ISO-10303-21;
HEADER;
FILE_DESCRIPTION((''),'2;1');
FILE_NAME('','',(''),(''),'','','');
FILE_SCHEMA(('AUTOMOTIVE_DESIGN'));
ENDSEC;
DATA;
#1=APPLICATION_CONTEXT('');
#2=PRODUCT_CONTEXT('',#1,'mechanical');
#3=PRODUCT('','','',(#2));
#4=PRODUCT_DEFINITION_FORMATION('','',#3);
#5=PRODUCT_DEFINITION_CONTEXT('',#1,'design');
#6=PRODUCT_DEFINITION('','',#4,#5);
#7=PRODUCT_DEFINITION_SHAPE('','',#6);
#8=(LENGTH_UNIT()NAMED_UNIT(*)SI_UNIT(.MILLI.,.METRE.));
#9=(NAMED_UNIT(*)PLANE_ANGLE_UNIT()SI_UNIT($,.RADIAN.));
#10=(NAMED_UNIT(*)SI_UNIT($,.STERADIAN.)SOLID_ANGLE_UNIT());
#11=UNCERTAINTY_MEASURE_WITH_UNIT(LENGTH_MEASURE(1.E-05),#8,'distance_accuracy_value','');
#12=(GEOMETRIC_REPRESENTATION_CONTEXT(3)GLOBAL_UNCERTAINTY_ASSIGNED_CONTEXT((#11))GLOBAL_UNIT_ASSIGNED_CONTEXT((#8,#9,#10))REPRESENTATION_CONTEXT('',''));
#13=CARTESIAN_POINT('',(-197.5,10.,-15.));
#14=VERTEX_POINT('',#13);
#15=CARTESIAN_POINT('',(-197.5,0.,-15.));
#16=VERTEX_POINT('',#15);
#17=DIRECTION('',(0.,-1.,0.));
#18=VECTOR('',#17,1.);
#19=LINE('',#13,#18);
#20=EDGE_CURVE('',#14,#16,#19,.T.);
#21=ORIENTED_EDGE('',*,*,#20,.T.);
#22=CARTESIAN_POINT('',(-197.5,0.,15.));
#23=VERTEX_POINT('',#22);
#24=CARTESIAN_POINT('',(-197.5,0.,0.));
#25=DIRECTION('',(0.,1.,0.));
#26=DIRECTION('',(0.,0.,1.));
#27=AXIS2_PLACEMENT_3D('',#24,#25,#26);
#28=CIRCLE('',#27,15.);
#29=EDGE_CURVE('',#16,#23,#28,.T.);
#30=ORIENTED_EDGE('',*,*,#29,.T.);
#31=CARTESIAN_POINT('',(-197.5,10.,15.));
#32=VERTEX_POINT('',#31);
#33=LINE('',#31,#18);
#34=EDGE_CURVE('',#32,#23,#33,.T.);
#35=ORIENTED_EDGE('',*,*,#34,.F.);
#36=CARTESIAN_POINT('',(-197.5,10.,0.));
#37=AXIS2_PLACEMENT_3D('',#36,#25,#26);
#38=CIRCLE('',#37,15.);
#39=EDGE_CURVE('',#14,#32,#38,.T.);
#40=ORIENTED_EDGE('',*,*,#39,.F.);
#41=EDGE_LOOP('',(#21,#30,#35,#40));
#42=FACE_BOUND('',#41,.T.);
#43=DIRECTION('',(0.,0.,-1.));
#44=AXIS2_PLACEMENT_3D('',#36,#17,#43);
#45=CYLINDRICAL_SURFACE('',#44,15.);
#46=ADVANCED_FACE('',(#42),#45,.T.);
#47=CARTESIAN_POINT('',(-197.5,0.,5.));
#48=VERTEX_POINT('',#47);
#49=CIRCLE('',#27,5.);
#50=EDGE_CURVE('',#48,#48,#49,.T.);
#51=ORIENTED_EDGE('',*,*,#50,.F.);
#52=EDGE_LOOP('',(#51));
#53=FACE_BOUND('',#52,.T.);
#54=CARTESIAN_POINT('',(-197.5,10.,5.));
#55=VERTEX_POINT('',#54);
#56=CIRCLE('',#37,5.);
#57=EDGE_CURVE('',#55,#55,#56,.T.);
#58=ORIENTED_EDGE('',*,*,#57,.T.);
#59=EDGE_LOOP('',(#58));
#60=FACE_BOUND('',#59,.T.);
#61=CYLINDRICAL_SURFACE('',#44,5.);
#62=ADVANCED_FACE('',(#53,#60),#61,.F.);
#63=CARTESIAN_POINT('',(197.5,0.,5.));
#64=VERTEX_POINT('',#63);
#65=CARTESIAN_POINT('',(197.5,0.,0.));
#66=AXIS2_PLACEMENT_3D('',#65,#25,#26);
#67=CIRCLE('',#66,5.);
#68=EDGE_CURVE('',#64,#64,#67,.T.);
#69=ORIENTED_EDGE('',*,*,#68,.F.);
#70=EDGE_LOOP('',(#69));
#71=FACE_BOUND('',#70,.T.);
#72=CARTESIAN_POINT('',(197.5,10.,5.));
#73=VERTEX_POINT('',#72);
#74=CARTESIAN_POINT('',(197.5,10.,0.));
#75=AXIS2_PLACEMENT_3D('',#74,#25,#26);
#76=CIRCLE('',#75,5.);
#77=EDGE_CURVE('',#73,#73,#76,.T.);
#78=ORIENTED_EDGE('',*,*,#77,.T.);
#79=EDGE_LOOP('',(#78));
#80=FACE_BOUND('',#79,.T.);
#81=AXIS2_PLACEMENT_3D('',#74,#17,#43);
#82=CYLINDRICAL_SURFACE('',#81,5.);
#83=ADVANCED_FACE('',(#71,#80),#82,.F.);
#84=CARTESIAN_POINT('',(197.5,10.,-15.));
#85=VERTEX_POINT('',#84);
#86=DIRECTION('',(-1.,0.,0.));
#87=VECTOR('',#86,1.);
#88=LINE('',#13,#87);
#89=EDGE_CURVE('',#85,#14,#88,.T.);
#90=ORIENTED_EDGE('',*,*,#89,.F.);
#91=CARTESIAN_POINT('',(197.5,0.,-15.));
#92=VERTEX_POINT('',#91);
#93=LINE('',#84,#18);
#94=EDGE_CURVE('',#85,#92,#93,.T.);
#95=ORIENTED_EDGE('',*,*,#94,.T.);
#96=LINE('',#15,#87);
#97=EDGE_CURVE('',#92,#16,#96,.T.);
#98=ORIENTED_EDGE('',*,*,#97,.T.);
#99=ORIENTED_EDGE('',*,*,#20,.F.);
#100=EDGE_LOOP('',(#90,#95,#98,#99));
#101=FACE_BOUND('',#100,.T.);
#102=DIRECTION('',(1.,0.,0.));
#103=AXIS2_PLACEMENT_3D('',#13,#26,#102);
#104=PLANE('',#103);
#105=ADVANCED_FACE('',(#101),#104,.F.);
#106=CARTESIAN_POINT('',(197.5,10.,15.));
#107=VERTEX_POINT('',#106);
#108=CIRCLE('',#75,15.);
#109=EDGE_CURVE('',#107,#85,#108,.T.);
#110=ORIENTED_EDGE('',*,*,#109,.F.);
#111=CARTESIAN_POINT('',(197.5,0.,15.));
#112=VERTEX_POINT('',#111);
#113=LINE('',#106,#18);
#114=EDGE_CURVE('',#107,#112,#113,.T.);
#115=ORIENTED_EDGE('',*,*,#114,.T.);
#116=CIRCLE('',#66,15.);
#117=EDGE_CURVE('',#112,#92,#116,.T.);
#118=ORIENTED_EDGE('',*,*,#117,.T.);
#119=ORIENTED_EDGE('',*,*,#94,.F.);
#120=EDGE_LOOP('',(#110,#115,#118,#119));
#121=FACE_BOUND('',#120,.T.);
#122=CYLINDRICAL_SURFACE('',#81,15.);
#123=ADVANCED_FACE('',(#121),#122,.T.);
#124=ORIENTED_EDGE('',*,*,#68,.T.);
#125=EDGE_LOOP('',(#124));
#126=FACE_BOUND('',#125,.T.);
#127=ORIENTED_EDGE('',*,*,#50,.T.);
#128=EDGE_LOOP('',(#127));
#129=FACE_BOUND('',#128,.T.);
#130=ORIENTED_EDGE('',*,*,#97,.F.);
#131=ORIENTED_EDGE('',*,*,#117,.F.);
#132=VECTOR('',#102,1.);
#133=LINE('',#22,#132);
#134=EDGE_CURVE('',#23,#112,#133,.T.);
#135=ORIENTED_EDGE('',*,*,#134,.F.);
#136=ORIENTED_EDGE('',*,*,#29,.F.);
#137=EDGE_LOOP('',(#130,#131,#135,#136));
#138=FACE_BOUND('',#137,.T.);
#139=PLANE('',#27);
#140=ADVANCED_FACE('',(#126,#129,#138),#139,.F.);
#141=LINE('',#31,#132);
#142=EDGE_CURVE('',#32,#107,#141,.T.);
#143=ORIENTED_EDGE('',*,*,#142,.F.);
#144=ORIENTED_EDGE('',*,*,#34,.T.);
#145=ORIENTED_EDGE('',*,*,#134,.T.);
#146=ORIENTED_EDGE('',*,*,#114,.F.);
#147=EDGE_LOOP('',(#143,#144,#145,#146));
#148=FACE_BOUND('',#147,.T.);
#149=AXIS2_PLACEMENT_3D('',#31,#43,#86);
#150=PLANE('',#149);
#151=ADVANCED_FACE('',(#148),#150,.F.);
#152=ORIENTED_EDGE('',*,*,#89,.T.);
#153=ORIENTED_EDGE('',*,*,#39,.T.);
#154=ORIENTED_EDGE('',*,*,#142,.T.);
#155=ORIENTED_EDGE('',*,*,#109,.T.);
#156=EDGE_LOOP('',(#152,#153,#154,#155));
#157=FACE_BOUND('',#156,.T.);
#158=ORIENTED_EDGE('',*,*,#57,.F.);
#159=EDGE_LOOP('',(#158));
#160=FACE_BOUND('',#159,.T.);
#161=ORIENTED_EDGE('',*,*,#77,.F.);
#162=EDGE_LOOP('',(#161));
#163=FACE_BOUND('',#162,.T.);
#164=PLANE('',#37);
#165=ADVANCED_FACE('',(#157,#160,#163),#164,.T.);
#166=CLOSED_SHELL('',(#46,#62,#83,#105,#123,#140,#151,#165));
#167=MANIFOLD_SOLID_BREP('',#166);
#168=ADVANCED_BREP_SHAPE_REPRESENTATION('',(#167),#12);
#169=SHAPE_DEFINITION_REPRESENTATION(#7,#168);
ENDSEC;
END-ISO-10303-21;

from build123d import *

# Parameters (mm, degrees)
SKETCH2_R           = 5
BOSS_EXTRUDE1_DEPTH = 10


with BuildPart() as part:
    # Sketch2 → Boss-Extrude1 (new body)
    with BuildSketch(Plane(origin=(0, 0, 0), x_dir=(1, 0, 0), z_dir=(0, 1, 0))):
        with BuildLine():
            Line((-197.5, 15), (197.5, 15))
            ThreePointArc((197.5, 15), (212.5, 0), (197.5, -15))
            Line((197.5, -15), (-197.5, -15))
            ThreePointArc((-197.5, -15), (-212.5, 0), (-197.5, 15))
        make_face()
        with Locations(Location((-197.5, 0, 0), (0, 0, 270))):
            Circle(SKETCH2_R, mode=Mode.SUBTRACT)
        with Locations(Location((197.5, 0, 0), (0, 0, 270))):
            Circle(SKETCH2_R, mode=Mode.SUBTRACT)
    extrude(amount=BOSS_EXTRUDE1_DEPTH)


solid = part.part
